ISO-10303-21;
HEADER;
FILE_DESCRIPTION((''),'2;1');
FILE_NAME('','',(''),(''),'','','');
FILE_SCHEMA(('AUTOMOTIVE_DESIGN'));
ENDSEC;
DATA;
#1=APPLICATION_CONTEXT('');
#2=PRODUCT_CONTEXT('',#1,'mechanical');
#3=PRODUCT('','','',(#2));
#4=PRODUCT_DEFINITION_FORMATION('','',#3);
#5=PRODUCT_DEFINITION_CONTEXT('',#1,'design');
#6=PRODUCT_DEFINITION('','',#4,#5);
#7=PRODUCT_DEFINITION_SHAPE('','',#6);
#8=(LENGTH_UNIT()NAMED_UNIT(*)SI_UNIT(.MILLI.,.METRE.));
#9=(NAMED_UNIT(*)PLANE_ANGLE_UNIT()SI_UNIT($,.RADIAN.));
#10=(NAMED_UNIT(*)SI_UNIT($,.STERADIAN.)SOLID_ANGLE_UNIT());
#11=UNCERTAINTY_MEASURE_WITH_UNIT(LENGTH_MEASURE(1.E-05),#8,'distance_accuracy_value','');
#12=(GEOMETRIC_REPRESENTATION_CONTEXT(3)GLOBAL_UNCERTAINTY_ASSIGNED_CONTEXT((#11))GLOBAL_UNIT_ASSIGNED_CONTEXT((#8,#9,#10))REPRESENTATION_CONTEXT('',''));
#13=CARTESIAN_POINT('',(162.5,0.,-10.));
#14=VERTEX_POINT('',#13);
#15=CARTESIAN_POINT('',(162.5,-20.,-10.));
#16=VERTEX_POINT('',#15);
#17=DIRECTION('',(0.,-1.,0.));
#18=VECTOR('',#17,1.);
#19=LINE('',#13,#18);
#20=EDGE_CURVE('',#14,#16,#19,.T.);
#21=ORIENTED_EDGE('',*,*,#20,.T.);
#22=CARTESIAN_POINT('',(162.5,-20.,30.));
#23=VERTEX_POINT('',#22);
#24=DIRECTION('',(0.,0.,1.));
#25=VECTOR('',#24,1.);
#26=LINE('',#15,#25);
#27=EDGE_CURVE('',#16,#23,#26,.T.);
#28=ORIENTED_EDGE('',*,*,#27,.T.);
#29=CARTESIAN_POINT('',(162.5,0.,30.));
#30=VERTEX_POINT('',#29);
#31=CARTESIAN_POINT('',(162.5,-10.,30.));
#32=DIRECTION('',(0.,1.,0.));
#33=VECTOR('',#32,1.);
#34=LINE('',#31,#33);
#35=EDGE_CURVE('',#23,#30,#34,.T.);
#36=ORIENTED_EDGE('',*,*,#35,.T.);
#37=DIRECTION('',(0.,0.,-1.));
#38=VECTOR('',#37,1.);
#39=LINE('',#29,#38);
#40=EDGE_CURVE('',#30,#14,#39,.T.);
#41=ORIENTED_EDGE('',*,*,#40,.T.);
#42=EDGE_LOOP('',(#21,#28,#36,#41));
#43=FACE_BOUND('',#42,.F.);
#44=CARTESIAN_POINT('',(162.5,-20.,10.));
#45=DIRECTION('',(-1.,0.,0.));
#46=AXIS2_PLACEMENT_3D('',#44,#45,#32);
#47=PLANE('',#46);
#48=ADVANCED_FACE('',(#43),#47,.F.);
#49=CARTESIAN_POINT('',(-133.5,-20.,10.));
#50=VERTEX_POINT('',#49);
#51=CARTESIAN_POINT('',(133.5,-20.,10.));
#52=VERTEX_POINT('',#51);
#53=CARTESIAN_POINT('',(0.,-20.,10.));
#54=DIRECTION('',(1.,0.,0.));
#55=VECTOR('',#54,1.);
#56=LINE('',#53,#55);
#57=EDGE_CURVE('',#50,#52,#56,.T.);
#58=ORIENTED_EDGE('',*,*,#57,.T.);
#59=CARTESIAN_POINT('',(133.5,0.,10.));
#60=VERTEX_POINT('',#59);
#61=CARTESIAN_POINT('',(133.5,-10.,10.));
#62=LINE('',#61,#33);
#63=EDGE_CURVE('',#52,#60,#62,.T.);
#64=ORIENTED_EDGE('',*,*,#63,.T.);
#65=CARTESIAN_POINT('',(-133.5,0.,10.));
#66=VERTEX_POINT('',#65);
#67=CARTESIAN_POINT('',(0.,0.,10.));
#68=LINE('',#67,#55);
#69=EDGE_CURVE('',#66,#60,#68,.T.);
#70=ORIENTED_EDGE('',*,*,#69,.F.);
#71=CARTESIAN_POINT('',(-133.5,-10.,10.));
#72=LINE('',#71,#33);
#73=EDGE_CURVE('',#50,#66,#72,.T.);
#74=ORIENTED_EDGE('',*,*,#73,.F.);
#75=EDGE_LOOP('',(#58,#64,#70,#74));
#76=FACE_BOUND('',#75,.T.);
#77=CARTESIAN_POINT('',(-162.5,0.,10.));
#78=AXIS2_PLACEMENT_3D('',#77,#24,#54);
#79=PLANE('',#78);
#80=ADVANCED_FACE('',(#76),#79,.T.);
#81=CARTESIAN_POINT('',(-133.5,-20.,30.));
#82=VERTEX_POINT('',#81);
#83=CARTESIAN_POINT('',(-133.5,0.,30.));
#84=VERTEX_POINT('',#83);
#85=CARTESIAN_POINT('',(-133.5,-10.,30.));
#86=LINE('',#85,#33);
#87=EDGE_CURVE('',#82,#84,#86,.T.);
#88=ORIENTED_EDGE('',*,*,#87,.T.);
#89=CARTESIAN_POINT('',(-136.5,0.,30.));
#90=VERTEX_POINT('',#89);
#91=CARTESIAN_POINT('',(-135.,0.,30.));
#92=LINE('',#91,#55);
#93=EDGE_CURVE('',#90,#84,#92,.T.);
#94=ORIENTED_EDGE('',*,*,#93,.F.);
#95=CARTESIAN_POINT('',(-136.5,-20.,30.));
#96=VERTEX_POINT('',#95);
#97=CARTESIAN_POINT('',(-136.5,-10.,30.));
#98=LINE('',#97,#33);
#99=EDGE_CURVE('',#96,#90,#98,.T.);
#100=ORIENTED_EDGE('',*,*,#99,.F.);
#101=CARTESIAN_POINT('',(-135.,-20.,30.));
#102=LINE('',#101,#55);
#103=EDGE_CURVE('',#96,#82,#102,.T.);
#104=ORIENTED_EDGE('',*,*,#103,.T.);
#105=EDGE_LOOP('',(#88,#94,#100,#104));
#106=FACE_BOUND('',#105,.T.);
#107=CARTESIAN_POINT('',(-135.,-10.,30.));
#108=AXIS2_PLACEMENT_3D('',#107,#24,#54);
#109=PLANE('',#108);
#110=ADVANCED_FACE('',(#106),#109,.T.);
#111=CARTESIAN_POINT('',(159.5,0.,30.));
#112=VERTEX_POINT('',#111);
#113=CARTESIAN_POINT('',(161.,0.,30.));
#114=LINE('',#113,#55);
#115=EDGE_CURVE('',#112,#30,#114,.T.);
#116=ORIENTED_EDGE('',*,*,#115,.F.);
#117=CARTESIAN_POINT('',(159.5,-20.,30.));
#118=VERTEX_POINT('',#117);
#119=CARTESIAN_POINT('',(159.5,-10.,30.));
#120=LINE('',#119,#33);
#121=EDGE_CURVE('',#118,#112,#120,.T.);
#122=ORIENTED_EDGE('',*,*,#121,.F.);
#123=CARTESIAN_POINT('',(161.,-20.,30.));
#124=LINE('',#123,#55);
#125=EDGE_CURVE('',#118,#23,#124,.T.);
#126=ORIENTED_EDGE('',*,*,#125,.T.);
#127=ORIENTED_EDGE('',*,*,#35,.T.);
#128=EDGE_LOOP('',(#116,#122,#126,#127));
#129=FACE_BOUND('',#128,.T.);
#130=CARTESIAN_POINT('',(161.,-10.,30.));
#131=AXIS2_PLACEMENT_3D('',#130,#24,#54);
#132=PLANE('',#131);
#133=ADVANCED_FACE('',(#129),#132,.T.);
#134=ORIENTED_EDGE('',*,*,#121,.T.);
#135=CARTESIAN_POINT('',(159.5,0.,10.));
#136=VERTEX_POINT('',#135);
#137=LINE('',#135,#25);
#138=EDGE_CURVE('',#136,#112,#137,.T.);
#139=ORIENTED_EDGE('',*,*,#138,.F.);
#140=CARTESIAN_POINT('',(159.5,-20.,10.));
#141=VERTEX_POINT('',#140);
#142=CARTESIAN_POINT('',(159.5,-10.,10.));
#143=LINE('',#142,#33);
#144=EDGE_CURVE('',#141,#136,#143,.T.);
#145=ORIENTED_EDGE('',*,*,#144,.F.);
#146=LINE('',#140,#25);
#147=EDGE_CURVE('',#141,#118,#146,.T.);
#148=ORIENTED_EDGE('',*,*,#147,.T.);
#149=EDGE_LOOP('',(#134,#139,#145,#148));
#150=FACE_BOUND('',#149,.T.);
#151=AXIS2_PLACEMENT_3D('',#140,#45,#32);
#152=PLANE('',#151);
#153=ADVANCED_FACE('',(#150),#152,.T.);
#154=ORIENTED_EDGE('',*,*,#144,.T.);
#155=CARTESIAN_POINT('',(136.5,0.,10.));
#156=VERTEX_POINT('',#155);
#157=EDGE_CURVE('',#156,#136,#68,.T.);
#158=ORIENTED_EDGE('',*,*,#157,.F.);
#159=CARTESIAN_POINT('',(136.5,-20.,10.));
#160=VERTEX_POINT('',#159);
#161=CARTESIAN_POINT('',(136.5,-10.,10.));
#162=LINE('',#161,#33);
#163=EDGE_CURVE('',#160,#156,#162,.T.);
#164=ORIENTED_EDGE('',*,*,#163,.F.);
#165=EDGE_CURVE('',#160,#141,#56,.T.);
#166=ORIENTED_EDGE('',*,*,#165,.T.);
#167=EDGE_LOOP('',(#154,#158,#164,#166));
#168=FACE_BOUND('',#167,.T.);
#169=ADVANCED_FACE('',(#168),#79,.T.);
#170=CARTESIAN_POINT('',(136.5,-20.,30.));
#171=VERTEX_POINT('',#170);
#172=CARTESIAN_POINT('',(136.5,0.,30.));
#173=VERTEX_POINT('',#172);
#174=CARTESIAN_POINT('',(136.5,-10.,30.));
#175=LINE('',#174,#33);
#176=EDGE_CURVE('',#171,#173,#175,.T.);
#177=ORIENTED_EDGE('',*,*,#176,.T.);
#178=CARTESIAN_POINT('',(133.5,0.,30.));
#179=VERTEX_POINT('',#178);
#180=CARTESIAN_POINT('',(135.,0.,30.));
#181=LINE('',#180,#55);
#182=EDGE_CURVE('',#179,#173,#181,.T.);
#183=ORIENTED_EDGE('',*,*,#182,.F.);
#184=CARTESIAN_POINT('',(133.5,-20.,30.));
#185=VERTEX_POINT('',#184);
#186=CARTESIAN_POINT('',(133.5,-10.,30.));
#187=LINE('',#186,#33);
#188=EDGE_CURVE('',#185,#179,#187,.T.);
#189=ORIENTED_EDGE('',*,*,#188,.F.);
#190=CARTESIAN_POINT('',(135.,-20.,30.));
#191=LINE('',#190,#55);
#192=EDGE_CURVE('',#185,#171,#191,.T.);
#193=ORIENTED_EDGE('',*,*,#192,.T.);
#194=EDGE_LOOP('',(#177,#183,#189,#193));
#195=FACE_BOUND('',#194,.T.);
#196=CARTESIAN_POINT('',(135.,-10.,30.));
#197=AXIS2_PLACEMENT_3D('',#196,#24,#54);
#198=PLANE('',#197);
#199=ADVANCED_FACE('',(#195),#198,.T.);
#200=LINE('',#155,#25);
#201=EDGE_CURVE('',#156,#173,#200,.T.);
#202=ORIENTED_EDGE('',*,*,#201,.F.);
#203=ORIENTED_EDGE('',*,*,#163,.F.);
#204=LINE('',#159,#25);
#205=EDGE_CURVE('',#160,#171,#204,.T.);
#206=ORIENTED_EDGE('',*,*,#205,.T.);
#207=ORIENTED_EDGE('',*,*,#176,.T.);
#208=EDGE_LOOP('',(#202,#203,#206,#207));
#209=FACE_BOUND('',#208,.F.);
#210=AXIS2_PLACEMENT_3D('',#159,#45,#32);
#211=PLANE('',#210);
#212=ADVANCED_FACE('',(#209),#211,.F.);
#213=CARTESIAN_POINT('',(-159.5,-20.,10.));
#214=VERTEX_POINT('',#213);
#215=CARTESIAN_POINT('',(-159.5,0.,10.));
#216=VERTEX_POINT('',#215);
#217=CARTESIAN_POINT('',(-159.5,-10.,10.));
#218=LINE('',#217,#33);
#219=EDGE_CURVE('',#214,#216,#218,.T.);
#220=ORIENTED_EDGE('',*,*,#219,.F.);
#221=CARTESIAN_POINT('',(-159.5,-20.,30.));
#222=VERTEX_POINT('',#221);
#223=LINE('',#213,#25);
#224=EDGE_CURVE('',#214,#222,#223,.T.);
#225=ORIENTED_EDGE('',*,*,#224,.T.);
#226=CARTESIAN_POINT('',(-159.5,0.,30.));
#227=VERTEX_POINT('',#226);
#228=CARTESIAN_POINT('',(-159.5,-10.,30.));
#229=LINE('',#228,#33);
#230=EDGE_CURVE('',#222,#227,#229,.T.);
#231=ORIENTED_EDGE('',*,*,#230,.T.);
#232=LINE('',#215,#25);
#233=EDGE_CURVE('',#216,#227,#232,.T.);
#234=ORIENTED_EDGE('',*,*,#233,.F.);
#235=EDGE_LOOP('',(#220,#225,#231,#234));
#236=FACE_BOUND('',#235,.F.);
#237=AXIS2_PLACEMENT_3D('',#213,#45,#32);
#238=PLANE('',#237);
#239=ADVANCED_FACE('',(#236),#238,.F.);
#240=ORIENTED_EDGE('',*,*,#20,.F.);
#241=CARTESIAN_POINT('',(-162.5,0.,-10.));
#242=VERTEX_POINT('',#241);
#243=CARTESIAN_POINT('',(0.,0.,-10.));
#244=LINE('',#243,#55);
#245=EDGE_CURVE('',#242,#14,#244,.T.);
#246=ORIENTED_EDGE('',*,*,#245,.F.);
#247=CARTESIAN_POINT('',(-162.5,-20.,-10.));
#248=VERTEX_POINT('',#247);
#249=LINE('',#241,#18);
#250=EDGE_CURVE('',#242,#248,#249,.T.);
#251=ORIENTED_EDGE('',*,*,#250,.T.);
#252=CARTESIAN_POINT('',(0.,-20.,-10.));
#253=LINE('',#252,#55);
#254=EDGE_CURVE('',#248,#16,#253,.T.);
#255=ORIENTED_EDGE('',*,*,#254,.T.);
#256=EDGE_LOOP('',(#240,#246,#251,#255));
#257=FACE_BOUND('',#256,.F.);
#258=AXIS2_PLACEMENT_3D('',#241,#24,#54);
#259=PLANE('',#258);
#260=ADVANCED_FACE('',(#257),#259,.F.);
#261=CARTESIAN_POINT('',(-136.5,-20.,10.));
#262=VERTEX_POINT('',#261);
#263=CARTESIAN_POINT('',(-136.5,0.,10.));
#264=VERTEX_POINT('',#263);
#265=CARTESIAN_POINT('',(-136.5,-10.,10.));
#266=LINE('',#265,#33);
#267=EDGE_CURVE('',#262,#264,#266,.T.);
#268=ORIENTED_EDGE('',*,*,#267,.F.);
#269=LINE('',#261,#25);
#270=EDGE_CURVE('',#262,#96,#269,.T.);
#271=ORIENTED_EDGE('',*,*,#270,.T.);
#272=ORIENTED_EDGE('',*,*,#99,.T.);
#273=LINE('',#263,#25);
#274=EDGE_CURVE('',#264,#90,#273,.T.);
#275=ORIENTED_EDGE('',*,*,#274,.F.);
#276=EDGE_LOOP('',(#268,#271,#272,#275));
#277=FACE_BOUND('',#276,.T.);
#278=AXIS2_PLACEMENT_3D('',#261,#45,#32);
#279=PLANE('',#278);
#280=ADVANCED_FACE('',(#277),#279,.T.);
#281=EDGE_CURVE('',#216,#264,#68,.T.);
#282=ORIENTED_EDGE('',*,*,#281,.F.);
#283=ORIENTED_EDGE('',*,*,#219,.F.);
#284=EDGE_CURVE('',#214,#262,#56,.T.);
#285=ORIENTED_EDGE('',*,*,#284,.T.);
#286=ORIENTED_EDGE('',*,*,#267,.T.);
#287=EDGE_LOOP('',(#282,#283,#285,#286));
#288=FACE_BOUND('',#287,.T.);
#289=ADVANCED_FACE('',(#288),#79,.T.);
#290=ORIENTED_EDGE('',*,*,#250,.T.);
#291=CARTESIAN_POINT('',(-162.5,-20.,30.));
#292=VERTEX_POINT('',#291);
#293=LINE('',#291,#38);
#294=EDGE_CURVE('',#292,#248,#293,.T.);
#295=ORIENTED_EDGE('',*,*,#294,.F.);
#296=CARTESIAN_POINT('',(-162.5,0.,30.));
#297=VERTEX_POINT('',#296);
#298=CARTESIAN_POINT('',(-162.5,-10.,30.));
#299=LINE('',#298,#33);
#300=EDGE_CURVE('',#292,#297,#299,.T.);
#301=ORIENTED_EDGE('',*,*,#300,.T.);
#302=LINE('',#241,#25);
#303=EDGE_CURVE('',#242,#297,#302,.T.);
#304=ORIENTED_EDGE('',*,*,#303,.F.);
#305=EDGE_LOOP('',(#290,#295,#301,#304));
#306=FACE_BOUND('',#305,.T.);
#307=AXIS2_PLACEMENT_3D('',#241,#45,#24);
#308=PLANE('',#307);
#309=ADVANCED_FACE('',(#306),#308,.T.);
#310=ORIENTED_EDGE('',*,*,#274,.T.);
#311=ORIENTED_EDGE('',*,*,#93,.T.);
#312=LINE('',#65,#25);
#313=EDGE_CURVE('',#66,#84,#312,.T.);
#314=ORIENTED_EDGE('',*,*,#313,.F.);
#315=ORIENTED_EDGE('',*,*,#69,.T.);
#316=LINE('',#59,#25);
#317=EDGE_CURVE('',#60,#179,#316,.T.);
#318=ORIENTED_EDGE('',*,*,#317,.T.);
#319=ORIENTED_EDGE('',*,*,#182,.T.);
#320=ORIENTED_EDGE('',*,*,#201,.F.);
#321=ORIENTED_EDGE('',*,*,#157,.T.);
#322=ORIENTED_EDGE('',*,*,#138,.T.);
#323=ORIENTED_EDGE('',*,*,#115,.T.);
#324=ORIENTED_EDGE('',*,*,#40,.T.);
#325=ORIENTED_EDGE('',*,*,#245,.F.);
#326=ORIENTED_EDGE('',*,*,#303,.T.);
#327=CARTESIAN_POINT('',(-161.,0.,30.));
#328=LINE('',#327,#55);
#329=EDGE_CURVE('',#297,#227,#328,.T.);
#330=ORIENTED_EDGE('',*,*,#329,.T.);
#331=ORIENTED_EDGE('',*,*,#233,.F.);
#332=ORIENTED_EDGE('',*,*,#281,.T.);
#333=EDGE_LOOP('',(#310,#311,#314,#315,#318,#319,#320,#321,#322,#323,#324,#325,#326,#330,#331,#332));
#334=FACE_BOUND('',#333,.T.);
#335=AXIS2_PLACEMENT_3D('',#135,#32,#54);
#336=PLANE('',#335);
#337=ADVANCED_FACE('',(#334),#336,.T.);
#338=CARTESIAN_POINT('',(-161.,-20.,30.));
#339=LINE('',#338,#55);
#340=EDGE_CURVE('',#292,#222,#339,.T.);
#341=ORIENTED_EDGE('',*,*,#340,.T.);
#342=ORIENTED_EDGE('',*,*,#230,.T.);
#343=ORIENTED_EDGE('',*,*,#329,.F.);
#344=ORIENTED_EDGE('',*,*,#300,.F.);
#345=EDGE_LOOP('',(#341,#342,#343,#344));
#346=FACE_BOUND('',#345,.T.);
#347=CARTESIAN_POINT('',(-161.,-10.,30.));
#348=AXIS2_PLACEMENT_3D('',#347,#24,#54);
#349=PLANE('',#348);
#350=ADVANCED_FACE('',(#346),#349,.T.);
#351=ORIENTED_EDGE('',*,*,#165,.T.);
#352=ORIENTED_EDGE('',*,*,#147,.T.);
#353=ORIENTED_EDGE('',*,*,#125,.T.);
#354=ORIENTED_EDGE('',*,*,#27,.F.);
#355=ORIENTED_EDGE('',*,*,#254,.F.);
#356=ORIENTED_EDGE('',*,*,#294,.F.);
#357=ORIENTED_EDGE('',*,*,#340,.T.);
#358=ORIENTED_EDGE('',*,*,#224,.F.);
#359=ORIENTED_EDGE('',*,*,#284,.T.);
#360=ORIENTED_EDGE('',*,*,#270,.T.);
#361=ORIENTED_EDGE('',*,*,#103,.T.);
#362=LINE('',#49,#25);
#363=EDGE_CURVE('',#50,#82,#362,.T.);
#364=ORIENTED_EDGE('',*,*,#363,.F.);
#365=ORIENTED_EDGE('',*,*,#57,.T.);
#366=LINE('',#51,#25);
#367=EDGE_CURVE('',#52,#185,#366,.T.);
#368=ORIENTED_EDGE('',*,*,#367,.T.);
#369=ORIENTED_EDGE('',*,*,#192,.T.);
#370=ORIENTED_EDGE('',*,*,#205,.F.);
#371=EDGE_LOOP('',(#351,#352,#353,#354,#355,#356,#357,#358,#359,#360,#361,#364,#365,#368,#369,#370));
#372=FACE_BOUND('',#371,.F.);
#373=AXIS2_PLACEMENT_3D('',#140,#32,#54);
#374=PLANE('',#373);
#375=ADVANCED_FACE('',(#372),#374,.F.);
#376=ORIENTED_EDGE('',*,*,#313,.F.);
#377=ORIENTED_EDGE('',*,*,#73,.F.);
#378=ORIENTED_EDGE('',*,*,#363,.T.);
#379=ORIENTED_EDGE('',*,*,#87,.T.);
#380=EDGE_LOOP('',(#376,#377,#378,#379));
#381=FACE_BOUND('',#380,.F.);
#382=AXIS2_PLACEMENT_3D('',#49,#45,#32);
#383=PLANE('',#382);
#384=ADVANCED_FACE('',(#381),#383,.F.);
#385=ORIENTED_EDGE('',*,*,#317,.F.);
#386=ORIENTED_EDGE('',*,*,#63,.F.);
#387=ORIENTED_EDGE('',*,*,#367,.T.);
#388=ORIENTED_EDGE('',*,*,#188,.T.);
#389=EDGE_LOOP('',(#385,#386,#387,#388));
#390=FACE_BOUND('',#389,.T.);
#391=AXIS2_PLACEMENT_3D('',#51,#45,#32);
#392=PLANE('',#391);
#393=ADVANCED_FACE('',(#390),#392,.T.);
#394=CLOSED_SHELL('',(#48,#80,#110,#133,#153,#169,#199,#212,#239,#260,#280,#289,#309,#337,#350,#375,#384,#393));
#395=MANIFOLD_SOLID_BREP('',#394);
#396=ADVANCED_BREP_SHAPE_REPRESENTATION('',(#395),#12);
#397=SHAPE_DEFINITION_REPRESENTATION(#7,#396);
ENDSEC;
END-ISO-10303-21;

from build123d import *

# Parameters (mm, degrees)
F0_W     = 325
F0_H     = 20
F1_DEPTH = 20
F2_W     = 3
F2_H     = 20
F3_DEPTH = 20


with BuildPart() as f1:
    # F0 (on Front) → F1 (new body)
    with BuildSketch(Plane.XZ):
        Rectangle(F0_W, F0_H)
    extrude(amount=F1_DEPTH)

    # F2 (on face) → F3 (join)
    with BuildSketch(Plane.XY.offset(10)):
        with Locations((161, -10)):
            Rectangle(F2_W, F2_H)
        with Locations((135, -10)):
            Rectangle(F2_W, F2_H)
        with Locations((-161, -10)):
            Rectangle(F2_W, F2_H)
        with Locations((-135, -10)):
            Rectangle(F2_W, F2_H)
    extrude(amount=F3_DEPTH)


solid = f1.part
